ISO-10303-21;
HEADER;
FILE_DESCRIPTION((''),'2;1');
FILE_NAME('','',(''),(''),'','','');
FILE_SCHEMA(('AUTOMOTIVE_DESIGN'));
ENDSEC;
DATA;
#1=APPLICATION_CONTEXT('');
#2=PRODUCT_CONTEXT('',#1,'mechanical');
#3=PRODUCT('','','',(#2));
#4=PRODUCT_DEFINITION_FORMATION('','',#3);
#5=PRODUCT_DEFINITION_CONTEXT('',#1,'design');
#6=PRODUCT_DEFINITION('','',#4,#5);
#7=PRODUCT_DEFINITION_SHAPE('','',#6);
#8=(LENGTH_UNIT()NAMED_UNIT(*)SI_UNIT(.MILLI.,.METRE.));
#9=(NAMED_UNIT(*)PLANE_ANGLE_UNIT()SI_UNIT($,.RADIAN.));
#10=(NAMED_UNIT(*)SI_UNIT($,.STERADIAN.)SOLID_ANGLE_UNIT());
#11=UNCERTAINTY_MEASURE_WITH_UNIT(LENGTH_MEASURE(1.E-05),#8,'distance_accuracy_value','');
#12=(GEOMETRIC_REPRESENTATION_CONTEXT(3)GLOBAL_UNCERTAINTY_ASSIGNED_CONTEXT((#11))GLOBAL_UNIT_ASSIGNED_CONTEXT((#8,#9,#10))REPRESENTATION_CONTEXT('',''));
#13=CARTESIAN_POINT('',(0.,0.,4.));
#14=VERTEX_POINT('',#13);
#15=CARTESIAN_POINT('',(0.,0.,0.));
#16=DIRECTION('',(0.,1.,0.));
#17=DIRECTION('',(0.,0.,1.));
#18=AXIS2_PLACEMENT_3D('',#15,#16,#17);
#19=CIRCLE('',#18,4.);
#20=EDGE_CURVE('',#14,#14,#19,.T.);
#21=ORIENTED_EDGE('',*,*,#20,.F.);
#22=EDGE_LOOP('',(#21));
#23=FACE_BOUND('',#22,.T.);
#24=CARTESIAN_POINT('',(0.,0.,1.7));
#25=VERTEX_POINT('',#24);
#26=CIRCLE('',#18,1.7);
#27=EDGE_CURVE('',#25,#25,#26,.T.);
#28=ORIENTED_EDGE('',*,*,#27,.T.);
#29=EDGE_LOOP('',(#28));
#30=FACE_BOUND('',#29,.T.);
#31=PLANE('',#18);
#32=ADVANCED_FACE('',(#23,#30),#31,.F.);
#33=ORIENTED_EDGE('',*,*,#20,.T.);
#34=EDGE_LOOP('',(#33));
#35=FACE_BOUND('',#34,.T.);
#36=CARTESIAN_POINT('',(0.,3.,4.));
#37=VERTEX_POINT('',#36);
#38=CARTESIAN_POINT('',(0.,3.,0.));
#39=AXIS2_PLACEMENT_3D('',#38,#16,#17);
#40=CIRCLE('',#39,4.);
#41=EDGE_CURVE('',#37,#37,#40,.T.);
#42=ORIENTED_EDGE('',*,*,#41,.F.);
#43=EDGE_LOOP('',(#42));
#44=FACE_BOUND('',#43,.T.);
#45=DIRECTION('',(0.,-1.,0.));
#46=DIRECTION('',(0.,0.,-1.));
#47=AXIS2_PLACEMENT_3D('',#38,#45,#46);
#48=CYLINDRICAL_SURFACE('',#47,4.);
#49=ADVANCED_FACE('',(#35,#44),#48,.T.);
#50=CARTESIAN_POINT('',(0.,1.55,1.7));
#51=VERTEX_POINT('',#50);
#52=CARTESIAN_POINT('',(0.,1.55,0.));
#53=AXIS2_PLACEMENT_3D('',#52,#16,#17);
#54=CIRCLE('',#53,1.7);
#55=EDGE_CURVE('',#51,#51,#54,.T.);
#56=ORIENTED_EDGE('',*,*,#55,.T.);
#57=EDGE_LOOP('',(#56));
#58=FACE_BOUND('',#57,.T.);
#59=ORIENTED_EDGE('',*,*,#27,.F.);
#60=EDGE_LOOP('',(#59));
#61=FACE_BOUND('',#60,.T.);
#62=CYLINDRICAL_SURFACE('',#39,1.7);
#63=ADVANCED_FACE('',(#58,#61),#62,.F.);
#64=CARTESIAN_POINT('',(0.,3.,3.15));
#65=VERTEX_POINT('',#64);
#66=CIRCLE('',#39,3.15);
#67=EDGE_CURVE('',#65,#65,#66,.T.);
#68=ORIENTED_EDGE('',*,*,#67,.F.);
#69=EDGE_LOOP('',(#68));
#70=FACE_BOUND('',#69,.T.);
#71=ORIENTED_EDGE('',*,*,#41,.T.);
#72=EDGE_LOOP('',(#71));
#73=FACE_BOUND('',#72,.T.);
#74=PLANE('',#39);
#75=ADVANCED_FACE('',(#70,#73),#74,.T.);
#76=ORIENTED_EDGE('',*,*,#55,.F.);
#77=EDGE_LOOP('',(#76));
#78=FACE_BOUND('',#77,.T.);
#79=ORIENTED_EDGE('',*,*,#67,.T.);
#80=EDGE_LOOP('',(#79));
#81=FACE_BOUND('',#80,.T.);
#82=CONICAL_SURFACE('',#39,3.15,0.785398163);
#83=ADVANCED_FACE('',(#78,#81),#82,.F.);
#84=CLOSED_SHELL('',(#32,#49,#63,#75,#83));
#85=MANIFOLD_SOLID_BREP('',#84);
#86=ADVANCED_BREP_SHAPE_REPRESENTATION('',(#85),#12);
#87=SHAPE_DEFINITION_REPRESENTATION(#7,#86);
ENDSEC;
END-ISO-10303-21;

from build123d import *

# Parameters (mm, degrees)
SKETCH1_R           = 4
BOSS_EXTRUDE1_DEPTH = 3


with BuildPart() as part:
    # Sketch1 → Boss-Extrude1 (new body)
    with BuildSketch(Plane(origin=(0, 0, 0), x_dir=(1, 0, 0), z_dir=(0, 1, 0))):
        with Locations(Location((0, 0, 0), (0, 0, 270))):
            Circle(SKETCH1_R)
    extrude(amount=BOSS_EXTRUDE1_DEPTH)

    # Sketch3 → CSK for M3 Countersunk Flat Head Screw1 (revolve, cut)
    with BuildSketch(Plane(origin=(0, 3, 0), x_dir=(0, 0, 1), z_dir=(1, 0, 0))):
        Polygon((0, 0), (0, 3), (1.7, 3), (1.7, 1.45), (3.15, 0), align=None)
    revolve(axis=Axis((0, 9.35, 0), (0, -1, 0)), mode=Mode.SUBTRACT)


solid = part.part
